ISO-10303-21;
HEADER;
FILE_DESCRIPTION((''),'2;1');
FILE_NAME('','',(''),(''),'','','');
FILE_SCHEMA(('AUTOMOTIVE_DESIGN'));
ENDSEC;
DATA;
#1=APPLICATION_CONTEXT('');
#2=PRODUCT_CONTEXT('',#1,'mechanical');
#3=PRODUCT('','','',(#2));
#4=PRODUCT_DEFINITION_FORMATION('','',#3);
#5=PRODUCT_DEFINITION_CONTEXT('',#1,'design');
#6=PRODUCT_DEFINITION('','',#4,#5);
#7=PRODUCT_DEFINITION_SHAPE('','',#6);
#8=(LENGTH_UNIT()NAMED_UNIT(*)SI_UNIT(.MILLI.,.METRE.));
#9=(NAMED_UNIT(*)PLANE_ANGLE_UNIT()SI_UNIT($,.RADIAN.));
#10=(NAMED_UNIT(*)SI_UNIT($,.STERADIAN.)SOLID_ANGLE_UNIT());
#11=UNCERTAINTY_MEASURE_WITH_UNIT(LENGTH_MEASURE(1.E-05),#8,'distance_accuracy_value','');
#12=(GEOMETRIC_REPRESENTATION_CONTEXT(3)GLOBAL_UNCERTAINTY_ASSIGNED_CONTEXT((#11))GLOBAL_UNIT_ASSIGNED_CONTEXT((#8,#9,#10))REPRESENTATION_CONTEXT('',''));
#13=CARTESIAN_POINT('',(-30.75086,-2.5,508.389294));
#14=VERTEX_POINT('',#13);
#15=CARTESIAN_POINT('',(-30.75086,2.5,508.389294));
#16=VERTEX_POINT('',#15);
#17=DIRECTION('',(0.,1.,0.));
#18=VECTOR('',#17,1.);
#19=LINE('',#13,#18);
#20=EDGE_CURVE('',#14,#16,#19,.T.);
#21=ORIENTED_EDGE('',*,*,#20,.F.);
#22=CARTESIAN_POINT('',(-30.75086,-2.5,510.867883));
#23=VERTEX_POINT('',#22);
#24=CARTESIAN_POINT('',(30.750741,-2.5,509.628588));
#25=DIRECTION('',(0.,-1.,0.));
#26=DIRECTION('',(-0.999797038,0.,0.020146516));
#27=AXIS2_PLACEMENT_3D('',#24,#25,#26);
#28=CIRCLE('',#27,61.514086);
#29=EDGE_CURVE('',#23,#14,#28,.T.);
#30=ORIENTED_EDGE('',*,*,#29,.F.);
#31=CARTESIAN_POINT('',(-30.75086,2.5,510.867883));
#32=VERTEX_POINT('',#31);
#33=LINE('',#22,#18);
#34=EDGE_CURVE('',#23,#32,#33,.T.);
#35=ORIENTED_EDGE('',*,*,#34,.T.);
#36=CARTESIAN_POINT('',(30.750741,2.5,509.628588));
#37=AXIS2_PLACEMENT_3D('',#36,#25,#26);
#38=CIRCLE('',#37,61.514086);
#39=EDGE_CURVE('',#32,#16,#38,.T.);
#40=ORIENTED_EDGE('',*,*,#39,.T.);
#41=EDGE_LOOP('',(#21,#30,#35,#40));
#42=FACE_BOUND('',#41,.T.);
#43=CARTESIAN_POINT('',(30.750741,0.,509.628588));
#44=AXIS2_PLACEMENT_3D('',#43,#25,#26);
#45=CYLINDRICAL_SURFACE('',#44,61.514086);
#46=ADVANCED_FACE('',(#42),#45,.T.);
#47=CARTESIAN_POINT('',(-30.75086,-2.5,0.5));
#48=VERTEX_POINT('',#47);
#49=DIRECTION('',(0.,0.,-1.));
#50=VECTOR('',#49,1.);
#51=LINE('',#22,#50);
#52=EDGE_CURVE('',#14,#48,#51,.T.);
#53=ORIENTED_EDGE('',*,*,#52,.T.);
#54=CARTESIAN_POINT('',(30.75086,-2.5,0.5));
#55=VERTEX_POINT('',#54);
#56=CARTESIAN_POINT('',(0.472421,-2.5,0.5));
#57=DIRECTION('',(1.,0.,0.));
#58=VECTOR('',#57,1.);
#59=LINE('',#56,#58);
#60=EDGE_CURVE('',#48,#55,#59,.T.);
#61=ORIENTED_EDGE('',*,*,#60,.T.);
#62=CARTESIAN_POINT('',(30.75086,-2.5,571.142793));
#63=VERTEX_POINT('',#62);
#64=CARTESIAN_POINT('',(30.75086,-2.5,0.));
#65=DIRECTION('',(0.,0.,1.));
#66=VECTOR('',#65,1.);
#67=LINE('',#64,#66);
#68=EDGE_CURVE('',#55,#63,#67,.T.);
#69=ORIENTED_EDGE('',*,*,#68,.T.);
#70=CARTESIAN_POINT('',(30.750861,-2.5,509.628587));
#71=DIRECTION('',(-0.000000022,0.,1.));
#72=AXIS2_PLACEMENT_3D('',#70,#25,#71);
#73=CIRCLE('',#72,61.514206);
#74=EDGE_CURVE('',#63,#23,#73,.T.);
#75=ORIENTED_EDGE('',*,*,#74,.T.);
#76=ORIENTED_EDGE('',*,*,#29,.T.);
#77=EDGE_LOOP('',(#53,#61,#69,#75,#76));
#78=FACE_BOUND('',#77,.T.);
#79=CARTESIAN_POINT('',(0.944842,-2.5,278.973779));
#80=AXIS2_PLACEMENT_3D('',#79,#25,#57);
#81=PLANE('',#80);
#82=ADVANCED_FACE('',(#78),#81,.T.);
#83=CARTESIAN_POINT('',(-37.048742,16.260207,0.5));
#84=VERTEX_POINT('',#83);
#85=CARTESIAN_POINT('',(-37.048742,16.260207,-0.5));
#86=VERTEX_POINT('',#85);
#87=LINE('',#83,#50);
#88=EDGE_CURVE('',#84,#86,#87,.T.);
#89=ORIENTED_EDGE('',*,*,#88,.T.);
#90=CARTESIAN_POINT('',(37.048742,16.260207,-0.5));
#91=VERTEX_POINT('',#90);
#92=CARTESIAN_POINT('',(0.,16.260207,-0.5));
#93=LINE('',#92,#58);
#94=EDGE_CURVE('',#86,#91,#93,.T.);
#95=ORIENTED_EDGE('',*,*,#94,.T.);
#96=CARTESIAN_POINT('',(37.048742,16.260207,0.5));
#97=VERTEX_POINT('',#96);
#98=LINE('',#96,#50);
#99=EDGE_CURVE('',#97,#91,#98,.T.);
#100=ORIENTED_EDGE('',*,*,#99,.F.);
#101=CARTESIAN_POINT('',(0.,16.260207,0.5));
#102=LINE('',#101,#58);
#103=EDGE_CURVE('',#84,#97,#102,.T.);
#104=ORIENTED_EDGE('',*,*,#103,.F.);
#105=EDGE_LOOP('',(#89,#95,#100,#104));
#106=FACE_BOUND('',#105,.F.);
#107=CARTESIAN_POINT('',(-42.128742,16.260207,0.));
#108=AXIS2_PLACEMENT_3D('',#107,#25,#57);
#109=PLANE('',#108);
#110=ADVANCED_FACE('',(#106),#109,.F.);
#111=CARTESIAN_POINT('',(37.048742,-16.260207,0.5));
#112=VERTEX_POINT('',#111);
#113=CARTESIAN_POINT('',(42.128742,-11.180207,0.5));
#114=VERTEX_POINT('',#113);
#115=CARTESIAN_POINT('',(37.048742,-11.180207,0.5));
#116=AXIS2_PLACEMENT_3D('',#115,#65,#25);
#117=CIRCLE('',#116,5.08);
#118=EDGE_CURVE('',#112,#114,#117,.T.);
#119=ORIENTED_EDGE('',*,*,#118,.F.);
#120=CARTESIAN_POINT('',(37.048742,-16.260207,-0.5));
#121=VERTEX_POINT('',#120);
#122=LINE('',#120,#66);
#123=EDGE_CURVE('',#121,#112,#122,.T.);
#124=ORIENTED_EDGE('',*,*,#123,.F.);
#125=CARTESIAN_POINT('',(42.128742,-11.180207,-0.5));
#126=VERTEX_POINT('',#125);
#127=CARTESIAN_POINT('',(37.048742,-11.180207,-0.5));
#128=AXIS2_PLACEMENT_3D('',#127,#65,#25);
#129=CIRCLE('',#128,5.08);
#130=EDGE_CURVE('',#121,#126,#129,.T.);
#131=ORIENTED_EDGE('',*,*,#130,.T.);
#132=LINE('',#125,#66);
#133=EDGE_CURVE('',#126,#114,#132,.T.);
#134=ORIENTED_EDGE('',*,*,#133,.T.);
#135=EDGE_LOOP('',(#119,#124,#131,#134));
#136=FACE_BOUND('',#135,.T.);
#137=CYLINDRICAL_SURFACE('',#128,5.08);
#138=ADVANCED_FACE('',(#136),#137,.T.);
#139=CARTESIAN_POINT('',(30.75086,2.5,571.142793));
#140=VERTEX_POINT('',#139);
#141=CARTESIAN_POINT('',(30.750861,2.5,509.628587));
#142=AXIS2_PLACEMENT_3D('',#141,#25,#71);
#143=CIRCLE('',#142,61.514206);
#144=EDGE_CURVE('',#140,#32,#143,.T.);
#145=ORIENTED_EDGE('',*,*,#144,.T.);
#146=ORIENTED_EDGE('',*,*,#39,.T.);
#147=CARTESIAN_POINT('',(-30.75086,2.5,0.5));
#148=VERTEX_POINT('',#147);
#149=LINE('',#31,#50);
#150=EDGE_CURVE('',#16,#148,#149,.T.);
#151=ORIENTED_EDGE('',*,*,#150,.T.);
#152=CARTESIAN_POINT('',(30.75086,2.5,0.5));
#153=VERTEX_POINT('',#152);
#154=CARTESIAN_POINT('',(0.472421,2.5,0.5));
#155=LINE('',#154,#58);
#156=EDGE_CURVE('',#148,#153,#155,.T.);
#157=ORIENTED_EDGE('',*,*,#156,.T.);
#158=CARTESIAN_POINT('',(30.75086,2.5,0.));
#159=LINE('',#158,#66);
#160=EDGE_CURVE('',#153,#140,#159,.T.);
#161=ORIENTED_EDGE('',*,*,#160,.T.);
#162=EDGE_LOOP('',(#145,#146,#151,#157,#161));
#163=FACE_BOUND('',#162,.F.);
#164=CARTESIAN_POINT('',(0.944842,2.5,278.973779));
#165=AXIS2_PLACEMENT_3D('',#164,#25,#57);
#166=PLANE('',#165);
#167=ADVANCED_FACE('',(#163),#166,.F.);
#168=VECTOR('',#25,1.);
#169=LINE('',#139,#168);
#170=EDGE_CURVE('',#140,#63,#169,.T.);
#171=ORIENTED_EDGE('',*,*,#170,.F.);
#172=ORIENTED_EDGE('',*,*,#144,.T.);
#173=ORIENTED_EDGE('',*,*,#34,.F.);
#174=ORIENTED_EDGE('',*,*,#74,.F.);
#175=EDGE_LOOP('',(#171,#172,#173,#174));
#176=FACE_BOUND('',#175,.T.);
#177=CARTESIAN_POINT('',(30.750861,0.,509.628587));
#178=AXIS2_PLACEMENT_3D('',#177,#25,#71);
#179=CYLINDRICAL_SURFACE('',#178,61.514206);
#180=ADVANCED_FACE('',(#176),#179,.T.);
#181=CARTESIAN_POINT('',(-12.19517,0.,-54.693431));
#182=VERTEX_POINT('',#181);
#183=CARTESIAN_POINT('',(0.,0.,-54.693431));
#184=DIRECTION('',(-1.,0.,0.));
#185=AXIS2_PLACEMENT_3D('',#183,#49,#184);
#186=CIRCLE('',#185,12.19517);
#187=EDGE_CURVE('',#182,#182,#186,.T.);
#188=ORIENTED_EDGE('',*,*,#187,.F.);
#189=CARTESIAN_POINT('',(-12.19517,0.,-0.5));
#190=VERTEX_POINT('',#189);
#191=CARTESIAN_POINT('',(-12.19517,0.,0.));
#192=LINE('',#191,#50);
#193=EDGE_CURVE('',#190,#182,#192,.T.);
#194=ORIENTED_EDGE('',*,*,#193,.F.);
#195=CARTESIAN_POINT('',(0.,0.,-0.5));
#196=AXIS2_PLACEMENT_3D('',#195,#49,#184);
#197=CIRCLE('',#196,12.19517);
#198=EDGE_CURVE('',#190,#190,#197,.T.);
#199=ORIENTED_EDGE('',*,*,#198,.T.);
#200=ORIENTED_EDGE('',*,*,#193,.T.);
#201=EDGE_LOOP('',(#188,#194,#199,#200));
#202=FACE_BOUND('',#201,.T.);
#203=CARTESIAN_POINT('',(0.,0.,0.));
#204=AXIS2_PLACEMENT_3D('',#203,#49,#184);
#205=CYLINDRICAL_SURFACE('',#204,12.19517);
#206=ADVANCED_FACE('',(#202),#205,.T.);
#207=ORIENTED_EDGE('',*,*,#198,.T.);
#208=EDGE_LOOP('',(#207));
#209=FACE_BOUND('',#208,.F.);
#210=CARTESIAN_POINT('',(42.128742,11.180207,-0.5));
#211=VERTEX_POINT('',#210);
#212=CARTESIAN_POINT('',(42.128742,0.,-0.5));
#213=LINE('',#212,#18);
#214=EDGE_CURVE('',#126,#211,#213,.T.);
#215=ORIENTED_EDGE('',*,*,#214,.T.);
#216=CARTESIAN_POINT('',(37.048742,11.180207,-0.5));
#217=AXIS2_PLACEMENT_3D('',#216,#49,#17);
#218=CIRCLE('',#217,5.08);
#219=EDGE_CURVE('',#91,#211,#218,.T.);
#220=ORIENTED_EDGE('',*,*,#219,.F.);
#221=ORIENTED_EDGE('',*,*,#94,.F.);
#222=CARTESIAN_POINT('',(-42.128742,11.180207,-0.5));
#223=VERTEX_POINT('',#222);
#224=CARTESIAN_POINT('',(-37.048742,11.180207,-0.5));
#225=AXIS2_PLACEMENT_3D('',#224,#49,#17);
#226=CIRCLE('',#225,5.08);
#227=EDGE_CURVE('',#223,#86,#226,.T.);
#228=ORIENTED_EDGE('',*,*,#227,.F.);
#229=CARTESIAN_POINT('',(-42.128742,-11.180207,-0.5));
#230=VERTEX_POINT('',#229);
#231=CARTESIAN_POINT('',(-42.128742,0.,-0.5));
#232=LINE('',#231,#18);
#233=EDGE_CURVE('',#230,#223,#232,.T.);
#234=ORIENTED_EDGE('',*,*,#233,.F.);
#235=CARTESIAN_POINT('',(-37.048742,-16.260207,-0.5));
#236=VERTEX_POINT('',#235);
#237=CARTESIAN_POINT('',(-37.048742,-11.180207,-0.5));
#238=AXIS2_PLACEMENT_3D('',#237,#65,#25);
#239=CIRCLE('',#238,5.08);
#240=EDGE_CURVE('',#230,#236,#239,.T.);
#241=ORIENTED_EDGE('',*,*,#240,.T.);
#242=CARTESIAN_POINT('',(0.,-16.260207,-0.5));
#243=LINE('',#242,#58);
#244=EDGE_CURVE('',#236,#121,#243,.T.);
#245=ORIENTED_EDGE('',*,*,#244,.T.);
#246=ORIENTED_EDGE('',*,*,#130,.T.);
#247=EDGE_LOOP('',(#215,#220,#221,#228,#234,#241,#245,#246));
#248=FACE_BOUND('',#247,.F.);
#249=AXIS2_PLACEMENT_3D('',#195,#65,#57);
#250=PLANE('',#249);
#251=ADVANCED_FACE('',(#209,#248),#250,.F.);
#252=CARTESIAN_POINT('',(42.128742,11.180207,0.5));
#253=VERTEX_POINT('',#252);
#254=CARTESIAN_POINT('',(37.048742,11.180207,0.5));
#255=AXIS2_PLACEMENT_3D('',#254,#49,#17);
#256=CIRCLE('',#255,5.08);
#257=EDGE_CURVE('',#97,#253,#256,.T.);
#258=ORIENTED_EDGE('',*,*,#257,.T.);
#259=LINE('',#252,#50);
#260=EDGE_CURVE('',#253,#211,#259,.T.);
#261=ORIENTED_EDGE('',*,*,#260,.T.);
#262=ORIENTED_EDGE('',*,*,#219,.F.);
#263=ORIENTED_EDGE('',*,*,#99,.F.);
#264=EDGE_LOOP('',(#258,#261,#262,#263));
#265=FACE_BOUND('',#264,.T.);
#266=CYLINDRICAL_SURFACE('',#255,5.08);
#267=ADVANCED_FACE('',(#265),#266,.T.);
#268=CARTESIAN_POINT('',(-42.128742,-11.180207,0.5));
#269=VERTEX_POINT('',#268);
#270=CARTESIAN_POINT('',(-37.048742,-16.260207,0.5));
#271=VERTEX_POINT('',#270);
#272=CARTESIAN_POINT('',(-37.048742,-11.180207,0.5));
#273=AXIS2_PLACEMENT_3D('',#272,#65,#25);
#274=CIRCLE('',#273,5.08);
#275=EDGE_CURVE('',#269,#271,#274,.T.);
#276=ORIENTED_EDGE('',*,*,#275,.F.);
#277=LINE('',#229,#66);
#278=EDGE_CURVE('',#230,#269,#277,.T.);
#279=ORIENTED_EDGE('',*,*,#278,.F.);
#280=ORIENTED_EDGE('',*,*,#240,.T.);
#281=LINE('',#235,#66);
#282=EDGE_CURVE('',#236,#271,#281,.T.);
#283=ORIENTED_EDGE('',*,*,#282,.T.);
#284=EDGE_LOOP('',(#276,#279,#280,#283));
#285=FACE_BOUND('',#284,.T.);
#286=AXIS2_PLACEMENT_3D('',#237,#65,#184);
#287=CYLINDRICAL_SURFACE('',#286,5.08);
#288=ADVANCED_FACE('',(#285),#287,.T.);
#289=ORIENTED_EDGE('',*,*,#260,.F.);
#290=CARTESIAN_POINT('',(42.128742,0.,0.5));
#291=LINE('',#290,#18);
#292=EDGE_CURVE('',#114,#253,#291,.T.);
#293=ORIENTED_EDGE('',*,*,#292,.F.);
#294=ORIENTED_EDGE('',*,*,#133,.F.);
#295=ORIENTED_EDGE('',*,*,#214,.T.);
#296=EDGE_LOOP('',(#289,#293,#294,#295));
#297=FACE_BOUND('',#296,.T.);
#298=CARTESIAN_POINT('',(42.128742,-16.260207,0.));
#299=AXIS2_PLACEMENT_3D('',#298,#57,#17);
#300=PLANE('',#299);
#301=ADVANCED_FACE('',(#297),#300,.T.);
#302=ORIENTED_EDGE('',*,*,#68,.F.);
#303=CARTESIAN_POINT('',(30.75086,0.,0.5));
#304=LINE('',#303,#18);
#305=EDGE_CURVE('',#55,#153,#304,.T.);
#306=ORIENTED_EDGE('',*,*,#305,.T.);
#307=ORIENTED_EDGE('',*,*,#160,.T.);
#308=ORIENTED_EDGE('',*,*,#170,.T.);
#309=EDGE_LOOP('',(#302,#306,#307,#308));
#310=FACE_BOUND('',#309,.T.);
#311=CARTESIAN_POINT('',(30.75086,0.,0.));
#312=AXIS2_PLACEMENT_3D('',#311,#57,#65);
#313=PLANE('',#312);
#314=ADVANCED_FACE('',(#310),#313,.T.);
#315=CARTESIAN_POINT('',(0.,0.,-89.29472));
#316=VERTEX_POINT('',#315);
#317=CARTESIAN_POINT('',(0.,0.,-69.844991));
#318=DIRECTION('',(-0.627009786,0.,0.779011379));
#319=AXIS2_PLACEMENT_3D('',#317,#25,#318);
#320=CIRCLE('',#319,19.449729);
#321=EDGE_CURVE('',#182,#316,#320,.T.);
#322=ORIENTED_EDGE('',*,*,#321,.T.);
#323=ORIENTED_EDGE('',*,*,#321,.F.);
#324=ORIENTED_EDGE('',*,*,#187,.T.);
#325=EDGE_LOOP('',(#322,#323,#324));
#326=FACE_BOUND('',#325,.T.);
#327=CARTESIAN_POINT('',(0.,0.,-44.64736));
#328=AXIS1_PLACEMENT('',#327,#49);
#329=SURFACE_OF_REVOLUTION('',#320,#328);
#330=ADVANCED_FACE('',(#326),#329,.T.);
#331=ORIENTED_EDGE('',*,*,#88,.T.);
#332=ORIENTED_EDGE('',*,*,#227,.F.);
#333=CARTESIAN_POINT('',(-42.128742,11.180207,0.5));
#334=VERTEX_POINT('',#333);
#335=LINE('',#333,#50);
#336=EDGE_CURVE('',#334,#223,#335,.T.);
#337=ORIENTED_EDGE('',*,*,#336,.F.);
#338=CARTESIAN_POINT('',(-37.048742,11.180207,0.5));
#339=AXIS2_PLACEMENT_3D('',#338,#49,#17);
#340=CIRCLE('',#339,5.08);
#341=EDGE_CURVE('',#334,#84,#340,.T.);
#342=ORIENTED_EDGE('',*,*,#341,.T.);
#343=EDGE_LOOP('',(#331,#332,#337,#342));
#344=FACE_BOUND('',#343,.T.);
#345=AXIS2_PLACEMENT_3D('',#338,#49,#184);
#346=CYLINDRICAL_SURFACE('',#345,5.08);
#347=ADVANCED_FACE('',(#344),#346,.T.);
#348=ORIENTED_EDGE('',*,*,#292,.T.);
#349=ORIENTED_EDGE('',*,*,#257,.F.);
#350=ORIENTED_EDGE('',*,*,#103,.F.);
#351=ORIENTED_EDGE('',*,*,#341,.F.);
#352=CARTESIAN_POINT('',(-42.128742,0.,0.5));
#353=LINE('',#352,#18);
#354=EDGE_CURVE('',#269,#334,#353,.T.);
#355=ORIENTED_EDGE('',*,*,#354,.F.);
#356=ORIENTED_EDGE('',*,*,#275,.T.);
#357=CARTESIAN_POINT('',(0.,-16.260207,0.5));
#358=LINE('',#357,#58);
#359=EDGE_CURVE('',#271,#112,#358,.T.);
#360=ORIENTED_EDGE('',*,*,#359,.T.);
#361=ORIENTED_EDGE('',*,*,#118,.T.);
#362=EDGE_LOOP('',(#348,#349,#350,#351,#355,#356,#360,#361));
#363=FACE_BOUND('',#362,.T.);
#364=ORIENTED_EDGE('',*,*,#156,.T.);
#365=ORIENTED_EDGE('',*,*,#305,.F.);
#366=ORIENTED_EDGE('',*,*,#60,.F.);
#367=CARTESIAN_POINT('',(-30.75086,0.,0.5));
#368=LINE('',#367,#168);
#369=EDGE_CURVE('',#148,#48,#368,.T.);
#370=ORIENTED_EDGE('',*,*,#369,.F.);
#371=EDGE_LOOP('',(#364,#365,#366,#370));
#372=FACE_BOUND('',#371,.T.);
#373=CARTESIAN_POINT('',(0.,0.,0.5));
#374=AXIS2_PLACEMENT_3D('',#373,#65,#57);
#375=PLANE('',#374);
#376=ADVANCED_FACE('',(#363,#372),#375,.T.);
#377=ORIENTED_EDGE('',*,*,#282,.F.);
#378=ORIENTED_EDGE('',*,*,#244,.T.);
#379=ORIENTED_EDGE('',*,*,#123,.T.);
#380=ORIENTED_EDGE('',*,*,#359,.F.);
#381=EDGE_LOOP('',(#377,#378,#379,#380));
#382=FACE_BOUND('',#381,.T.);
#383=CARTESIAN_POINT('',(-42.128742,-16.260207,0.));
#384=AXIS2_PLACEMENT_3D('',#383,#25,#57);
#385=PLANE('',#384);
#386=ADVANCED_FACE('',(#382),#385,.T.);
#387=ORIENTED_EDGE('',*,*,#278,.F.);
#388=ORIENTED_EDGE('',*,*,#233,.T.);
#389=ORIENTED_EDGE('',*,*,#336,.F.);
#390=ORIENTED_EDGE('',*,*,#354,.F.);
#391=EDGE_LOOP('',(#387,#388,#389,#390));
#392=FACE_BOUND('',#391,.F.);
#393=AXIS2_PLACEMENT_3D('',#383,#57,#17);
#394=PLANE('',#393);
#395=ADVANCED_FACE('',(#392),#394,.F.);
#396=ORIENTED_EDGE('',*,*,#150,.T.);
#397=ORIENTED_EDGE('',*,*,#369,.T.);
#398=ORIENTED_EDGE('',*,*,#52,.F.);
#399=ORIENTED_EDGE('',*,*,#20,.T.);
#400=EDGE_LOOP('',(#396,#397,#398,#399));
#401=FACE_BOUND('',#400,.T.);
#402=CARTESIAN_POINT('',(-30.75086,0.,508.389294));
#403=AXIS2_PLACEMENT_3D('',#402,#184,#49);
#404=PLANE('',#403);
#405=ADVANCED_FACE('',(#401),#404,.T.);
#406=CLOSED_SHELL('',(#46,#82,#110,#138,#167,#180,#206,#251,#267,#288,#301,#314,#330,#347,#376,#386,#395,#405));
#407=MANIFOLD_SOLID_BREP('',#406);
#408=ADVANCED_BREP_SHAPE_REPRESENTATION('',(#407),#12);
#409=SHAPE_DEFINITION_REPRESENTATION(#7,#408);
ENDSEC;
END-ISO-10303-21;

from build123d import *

# Parameters (mm, degrees)
F0_W     = 84.257484
F0_H     = 32.520414
F1_DEPTH = 0.5
F5_DEPTH = 2.5
F6_R     = 5.08


with BuildPart() as f1:
    # F0 (on Top) → F1 (new body, symmetric)
    with BuildSketch(Plane.XY):
        Rectangle(F0_W, F0_H)
    extrude(amount=F1_DEPTH, both=True)

    # F2 (on Front) → F3 (revolve)
    with BuildSketch(Plane.XZ):
        with BuildLine():
            Line((0, 0), (-12.19517, 0))
            Line((-12.19517, 0), (-12.19517, -54.693431))
            ThreePointArc((-12.19517, -54.693431), (-18.343741, -76.310214), (0, -89.29472))
            Line((0, -89.29472), (0, 0))
        make_face()
    revolve(axis=Axis((0, 0, -44.64736), (0, 0, -1)))

    # F4 (on Front) → F5 (join, symmetric)
    with BuildSketch(Plane.XZ):
        with BuildLine():
            Line((-30.75086, 508.389294), (-30.75086, 0))
            Line((-30.75086, 0), (30.75086, 0))
            Line((30.75086, 0), (30.75086, 571.142793))
            ThreePointArc((30.75086, 571.142793), (-12.305865, 553.561671), (-30.75086, 510.867883))
            Line((-30.75086, 510.867883), (-30.75086, 508.389294))
        make_face()
        with BuildLine():
            ThreePointArc((-30.75086, 510.867883), (-30.763345, 509.628589), (-30.75086, 508.389294))
            Line((-30.75086, 508.389294), (-30.75086, 510.867883))
        make_face()
    extrude(amount=F5_DEPTH, both=True)

    # F6
    f6_edges = [f1.edges().sort_by_distance(p)[0] for p in [
        (-42.128742, -16.260207, 0),
        (-42.128742, 16.260207, 0),
        (42.128742, 16.260207, 0),
        (42.128742, -16.260207, 0),
    ]]
    fillet(f6_edges, radius=F6_R)


solid = f1.part
